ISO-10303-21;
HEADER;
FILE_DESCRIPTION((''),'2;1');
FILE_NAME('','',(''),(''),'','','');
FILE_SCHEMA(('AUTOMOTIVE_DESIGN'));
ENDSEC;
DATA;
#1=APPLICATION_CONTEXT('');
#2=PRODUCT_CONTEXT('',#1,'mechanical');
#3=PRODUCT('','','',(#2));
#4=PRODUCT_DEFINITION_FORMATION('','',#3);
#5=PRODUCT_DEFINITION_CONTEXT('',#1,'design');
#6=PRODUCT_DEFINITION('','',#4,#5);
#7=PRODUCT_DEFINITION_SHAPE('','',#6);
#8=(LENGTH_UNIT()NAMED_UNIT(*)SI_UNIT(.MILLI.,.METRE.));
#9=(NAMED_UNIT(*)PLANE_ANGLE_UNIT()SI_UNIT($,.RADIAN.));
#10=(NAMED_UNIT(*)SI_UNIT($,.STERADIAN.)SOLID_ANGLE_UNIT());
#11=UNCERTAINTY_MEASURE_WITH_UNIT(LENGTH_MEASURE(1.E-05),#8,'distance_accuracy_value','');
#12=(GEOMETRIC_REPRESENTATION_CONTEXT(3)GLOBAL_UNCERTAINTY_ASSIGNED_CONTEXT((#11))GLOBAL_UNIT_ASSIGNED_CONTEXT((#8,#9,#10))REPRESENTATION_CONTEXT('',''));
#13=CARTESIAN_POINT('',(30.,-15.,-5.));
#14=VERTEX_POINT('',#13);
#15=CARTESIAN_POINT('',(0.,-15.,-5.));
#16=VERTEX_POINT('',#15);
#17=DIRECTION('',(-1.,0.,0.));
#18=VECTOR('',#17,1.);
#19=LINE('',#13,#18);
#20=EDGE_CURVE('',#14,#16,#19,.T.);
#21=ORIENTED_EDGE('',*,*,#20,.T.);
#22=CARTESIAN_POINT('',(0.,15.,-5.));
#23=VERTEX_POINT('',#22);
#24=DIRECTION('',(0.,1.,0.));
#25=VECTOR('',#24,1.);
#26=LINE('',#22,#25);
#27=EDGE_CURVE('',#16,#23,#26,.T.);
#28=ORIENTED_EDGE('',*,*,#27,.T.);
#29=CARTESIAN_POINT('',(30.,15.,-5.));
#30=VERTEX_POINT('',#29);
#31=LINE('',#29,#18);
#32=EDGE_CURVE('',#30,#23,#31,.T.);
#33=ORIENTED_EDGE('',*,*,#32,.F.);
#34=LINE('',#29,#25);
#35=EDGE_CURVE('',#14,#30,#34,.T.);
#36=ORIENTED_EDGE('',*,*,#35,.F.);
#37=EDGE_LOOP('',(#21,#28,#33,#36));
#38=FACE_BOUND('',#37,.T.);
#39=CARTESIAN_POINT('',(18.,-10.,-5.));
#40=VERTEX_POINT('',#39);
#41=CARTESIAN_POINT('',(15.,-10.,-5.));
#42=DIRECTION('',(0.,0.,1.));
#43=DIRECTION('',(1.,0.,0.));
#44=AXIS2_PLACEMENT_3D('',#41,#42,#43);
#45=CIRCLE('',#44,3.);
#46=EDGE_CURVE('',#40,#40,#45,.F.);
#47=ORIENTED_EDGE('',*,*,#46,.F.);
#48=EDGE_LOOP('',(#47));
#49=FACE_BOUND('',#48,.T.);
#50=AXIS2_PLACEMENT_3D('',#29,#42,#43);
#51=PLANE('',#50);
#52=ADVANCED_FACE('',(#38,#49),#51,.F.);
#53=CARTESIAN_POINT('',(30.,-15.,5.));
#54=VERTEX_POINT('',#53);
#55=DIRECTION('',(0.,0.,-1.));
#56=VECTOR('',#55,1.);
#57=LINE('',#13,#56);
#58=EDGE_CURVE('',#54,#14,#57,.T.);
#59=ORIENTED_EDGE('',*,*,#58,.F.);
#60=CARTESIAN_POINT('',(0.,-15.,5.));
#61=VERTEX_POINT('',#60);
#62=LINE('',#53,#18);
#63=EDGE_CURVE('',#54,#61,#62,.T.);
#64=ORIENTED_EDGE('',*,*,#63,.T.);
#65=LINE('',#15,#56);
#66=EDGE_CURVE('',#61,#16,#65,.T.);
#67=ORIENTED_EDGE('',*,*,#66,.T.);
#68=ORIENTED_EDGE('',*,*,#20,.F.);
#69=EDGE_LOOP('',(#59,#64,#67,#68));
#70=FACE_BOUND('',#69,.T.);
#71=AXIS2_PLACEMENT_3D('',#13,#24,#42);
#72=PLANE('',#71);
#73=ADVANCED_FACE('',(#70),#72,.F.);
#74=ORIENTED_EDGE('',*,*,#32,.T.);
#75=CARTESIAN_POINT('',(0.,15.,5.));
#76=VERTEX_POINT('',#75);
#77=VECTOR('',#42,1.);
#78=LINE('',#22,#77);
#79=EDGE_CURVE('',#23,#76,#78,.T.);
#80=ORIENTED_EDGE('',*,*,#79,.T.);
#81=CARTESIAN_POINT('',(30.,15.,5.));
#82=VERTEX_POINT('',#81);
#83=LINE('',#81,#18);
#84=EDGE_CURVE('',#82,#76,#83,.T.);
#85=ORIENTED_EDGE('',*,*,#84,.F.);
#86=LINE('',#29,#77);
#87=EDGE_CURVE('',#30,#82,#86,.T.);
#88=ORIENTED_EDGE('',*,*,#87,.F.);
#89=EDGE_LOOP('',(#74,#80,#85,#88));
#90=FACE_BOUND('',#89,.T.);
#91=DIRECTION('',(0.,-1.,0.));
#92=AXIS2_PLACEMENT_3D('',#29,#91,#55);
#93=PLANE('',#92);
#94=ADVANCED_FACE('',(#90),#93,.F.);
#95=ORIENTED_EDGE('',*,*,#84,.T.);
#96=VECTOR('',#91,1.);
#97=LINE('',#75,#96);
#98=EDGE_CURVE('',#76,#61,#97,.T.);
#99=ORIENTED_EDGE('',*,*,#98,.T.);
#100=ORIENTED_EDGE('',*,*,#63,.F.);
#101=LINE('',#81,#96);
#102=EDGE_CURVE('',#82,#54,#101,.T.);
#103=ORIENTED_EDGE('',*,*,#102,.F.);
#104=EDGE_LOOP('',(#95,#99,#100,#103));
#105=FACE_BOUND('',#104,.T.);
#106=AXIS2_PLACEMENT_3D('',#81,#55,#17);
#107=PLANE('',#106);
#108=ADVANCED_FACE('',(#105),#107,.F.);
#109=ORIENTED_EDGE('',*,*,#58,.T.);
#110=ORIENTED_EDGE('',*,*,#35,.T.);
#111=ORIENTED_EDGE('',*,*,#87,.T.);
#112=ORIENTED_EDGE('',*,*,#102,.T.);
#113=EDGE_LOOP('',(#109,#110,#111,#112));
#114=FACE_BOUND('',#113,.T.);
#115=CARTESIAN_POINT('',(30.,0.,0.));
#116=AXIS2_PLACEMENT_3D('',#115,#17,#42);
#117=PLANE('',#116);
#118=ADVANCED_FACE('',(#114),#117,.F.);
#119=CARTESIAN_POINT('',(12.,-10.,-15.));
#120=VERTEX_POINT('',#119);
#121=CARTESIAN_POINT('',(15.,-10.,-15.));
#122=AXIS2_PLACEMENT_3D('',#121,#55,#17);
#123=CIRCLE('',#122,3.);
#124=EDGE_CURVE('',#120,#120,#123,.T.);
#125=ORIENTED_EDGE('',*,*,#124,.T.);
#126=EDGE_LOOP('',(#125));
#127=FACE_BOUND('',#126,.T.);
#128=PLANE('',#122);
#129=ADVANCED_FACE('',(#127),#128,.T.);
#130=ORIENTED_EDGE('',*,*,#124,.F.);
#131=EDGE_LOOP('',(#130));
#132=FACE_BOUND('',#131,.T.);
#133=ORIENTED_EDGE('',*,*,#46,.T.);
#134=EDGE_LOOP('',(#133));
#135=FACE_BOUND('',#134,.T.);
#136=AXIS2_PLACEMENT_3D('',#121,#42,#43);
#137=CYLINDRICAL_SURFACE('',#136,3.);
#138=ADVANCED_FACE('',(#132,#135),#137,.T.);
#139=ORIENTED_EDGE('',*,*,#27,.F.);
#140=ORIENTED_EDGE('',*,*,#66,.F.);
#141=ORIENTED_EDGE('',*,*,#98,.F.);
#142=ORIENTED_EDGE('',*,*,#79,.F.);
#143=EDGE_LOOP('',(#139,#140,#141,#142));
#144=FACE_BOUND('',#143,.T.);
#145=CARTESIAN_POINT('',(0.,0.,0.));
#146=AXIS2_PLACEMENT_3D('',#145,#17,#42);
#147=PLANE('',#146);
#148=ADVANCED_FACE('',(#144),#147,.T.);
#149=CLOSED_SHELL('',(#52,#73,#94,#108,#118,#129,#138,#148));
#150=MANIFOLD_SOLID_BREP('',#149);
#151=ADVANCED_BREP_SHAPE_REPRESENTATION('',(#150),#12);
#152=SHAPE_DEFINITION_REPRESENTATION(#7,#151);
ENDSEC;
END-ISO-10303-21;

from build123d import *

# Parameters (mm, degrees)
SKETCH_1_W      = 10
SKETCH_1_H      = 30
EXTRUDE_1_DEPTH = 30
SKETCH_2_R      = 3
EXTRUDE_2_DEPTH = 10


with BuildPart() as part:
    # 草图1 → 凸台-拉伸1 (new body)
    with BuildSketch(Plane(origin=(0, 0, 0), x_dir=(0, 0, -1), z_dir=(1, 0, 0))):
        Rectangle(SKETCH_1_W, SKETCH_1_H)
    extrude(amount=EXTRUDE_1_DEPTH)

    # 草图2 → 凸台-拉伸2 (add)
    with BuildSketch(Plane(origin=(0, 0, -5), x_dir=(-1, 0, 0), z_dir=(0, 0, -1))):
        with Locations(Location((-15, -10, 0), (0, 0, 180))):
            Circle(SKETCH_2_R)
    extrude(amount=EXTRUDE_2_DEPTH)


solid = part.part
